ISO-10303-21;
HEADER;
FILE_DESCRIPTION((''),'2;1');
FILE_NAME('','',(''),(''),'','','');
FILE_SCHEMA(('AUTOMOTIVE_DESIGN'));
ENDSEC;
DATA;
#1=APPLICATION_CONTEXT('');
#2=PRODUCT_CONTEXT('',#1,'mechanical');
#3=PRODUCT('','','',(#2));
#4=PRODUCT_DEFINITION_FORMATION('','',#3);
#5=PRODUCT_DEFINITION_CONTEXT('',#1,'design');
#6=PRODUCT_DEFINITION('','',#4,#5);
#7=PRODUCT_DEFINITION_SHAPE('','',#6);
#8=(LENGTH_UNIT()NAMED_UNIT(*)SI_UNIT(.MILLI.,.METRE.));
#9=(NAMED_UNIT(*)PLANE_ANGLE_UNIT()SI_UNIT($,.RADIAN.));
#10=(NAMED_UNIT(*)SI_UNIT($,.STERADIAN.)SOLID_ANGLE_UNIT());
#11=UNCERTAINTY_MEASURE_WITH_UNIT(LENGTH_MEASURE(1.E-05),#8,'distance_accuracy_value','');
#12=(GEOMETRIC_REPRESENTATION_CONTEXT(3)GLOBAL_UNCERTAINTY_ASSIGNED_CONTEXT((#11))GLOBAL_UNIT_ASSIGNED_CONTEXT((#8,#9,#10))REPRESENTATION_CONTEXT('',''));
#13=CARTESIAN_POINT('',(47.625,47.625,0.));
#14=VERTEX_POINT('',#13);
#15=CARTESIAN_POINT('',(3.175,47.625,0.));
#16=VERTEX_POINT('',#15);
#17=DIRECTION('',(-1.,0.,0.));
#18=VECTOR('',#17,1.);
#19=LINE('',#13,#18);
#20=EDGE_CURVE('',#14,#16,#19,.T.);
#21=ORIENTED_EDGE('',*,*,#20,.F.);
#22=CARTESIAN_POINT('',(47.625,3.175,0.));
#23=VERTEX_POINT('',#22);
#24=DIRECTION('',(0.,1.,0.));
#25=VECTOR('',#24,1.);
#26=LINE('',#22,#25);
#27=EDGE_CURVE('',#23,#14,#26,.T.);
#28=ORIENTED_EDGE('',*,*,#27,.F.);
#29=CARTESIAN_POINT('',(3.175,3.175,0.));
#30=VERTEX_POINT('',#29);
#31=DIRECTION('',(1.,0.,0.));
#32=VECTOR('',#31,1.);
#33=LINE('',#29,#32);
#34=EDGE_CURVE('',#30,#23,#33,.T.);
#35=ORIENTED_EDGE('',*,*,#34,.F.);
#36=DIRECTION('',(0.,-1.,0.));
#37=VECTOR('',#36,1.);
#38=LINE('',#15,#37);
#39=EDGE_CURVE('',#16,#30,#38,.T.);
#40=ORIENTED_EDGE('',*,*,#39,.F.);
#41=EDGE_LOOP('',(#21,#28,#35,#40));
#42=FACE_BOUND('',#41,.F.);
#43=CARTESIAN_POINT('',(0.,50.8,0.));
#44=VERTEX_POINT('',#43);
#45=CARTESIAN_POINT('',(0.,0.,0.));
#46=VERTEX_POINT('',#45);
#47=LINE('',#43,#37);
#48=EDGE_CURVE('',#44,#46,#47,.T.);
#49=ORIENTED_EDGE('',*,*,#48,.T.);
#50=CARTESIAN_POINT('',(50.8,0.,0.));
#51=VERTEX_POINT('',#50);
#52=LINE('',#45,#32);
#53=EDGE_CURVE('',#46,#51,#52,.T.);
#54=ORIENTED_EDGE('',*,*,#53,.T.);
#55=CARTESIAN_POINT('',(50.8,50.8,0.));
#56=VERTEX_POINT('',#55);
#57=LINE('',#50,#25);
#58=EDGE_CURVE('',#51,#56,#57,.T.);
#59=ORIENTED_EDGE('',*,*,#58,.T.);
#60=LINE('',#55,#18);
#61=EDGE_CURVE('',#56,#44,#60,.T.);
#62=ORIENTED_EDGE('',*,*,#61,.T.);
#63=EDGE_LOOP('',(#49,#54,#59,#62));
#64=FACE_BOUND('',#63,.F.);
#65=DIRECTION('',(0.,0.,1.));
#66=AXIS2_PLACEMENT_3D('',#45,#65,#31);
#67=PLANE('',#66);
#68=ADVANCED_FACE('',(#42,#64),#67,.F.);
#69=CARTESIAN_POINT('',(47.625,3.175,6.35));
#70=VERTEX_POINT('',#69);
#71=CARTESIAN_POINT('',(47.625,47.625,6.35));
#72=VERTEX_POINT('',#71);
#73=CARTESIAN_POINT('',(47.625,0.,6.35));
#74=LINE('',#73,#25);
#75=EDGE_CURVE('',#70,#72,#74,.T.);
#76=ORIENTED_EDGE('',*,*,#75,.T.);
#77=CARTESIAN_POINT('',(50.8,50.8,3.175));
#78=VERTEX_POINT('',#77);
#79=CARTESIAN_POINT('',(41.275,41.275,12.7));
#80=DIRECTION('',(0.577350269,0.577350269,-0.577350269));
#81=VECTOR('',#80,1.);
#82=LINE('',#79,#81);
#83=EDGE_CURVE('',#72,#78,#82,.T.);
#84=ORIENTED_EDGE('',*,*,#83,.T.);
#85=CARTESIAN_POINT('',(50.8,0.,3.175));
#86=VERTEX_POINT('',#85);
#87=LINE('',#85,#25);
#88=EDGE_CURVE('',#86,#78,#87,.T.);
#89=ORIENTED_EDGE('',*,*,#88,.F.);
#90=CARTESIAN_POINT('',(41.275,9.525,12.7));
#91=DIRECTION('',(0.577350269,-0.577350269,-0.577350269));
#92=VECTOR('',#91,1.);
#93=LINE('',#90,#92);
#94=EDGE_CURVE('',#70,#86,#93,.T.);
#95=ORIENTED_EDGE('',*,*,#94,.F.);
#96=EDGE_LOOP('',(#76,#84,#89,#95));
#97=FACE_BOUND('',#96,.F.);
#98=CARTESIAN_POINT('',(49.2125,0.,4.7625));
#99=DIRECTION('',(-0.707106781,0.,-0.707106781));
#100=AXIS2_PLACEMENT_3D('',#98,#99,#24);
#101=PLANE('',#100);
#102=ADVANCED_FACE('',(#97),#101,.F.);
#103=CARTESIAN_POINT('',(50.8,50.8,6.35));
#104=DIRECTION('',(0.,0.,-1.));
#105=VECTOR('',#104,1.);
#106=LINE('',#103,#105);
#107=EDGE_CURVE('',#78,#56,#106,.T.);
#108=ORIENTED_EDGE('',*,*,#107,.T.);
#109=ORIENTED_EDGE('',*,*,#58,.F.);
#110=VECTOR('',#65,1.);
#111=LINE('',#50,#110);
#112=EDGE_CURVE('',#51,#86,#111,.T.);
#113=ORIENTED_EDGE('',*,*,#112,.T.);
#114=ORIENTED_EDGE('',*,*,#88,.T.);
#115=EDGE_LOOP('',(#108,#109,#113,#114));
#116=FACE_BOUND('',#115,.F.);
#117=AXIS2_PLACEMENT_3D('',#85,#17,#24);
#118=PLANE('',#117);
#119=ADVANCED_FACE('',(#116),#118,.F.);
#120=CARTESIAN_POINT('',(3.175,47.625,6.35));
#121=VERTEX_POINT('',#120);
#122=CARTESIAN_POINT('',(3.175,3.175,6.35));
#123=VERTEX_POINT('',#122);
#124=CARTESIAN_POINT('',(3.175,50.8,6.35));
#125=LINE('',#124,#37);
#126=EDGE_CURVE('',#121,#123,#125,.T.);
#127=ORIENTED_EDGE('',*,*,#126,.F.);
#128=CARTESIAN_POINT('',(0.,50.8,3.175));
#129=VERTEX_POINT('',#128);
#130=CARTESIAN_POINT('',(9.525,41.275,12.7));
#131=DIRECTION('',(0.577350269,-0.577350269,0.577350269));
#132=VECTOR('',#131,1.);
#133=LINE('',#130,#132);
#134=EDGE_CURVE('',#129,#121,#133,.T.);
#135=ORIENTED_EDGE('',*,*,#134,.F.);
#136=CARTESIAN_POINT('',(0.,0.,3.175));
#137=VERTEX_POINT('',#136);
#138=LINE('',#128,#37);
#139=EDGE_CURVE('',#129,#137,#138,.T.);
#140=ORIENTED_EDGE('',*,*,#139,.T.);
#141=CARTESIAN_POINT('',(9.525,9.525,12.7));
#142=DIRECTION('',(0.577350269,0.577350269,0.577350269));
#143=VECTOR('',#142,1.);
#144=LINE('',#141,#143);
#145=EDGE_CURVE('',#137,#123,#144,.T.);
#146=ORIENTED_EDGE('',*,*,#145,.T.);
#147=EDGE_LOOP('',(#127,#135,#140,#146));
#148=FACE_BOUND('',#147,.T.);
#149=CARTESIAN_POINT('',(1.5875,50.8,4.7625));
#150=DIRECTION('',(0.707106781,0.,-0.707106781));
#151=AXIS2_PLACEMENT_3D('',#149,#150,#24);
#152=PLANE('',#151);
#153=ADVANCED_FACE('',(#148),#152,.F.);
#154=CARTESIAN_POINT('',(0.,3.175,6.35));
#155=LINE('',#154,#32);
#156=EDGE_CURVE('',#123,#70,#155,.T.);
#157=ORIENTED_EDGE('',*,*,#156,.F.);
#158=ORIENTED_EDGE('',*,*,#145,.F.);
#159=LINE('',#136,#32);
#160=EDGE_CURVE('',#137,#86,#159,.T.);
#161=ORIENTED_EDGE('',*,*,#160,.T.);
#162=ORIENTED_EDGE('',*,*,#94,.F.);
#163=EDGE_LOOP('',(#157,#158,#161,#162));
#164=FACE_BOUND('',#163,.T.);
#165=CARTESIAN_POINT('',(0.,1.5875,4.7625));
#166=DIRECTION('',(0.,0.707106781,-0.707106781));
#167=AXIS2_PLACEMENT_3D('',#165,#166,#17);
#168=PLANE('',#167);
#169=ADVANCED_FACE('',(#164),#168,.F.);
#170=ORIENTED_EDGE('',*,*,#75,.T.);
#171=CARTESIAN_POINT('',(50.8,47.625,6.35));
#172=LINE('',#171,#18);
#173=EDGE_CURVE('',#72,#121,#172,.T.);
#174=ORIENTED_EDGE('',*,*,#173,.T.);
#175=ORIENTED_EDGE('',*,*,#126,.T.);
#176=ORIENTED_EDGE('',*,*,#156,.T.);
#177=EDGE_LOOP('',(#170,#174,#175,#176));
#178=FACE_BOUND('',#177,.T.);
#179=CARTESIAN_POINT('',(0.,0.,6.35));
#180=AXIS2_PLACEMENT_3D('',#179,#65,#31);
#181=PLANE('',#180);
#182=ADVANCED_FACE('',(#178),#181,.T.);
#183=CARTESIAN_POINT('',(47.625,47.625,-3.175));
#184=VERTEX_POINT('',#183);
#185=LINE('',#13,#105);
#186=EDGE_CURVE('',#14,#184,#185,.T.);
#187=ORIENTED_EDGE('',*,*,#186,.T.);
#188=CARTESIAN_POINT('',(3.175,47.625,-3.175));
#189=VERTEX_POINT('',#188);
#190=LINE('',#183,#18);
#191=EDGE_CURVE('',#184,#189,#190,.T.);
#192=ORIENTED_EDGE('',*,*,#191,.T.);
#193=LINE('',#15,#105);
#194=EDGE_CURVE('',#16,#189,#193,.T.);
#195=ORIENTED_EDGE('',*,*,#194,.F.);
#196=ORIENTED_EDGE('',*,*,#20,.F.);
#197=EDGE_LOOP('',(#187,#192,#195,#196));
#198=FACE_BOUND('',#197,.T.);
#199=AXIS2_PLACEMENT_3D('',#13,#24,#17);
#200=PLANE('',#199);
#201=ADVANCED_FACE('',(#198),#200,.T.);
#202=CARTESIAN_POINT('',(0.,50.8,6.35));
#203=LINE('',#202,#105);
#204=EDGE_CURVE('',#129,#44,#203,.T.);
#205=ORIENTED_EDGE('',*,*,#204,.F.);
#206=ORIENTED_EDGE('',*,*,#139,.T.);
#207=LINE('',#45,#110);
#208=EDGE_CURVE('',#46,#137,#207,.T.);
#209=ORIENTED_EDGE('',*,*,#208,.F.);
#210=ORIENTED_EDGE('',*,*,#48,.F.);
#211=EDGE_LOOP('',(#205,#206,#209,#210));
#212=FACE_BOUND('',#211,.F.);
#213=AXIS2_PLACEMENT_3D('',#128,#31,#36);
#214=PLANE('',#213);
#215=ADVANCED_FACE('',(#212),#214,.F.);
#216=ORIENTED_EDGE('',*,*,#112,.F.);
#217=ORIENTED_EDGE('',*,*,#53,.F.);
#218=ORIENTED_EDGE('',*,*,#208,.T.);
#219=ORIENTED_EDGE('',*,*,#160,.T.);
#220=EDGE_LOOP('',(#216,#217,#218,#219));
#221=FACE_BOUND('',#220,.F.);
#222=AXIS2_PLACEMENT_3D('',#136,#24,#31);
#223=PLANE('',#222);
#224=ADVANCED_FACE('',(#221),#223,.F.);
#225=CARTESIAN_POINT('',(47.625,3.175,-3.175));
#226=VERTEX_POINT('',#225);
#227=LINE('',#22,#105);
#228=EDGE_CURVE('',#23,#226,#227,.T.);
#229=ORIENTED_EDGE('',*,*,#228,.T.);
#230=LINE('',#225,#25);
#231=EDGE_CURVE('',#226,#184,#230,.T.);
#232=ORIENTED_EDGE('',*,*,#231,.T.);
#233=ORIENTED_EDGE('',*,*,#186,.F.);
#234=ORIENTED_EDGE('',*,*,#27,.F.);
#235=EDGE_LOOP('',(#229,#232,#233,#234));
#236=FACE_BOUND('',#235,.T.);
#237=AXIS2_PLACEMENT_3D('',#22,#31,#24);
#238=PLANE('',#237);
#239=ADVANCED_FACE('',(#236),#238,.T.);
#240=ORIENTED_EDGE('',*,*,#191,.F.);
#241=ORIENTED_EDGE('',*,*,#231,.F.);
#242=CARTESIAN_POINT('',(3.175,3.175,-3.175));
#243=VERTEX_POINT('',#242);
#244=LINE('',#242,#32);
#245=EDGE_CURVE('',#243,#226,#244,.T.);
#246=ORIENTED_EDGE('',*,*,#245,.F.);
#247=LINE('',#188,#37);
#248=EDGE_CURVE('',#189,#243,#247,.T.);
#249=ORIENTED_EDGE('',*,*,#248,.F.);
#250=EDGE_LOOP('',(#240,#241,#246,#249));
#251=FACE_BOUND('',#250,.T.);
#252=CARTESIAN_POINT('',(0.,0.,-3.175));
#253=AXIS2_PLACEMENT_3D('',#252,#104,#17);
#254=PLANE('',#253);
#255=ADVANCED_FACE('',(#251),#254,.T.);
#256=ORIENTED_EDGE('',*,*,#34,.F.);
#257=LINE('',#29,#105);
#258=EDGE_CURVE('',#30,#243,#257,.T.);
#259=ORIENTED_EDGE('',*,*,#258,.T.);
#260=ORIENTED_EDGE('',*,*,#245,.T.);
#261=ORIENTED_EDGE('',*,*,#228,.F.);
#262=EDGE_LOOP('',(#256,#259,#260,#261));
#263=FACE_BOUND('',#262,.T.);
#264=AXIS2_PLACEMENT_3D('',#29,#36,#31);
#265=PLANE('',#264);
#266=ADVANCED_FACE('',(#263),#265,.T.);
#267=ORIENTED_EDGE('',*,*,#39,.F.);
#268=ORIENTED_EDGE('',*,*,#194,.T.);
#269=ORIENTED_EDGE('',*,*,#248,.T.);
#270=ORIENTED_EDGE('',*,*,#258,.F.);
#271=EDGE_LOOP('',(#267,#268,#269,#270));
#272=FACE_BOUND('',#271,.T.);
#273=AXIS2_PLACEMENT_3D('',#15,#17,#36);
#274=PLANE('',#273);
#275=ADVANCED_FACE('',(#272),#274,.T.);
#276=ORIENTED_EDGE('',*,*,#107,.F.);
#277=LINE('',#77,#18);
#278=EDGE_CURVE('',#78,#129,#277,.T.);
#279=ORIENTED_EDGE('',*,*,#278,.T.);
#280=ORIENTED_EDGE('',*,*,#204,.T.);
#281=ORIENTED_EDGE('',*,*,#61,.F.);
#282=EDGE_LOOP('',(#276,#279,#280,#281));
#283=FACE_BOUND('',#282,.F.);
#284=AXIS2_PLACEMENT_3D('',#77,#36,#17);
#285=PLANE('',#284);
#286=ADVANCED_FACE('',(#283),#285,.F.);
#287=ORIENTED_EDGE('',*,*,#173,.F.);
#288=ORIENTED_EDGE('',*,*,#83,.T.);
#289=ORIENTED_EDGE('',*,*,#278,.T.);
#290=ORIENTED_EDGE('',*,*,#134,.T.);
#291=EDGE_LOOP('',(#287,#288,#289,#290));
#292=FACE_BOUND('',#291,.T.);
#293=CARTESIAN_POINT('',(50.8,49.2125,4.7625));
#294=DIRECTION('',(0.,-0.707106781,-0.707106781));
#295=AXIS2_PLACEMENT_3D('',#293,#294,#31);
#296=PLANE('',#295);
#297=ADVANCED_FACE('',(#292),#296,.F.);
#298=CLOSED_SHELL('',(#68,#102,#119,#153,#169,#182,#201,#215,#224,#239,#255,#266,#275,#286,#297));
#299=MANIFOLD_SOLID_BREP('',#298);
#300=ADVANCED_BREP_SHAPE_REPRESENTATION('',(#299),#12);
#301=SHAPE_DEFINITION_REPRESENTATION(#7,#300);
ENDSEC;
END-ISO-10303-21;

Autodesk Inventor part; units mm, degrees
ref_plane "YZ Plane" through (0, 0, 0) normal (1, 0, 0) x (0, 1, 0)
ref_plane "XZ Plane" through (0, 0, 0) normal (0, 1, 0) x (-1, 0, 0)
ref_plane "XY Plane" through (0, 0, 0) normal (0, 0, 1) x (1, 0, 0)
sketch "Sketch1" plane through (0, 0, 0) normal (0, 0, 1) x (1, 0, 0)
  line L0 (0, 0) -> (50.8, 0)
  line L1 (50.8, 0) -> (50.8, 50.8)
  line L2 (50.8, 50.8) -> (0, 50.8)
  line L3 (0, 50.8) -> (0, 0)
  dimension "d0" = 50.8
  dimension "d1" = 50.8
extrude "Extrusion1" add sketch "Sketch1" along normal blind 3.175
sketch "Sketch2" plane through (0, 0, 0) normal (0, 0, -1) x (-1, 0, 0)
  line L0 (0, 0) -> (-50.8, 0) projected
  line L1 (-50.8, 0) -> (-50.8, 50.8) projected
  line L2 (0, 0) -> (-50.8, 0)
  line L3 (-50.8, 0) -> (-50.8, 50.8)
  line L4 (-50.8, 50.8) -> (0, 50.8)
  line L5 (0, 50.8) -> (0, 0)
  line L6 (-3.175, 3.175) -> (-47.625, 3.175)
  line L7 (-47.625, 3.175) -> (-47.625, 47.625)
  line L8 (-47.625, 47.625) -> (-3.175, 47.625)
  line L9 (-3.175, 47.625) -> (-3.175, 3.175)
  dimension "d4" = 3.175
extrude "Extrusion2" add sketch "Sketch2" along normal blind 3.175 contours L6 L7 L8 L9
sketch "Sketch4" plane through (0, 0, 3.175) normal (0, 0, 1) x (1, 0, 0)
  line L0 (0, 0) -> (50.8, 0) projected
  line L1 (50.8, 0) -> (50.8, 50.8) projected
  line L2 (0, 0) -> (50.8, 0)
  line L3 (50.8, 0) -> (50.8, 50.8)
  line L4 (50.8, 50.8) -> (0, 50.8)
  line L5 (0, 50.8) -> (0, 0)
extrude "Extrusion4" add sketch "Sketch4" along normal blind 3.175
chamfer "Chamfer1" distance 3.175 angle 45 4 edges at (50.8, 25.4, 6.35) (25.4, 0, 6.35) (0, 25.4, 6.35) (25.4, 50.8, 6.35)
properties part number "End Cap"
